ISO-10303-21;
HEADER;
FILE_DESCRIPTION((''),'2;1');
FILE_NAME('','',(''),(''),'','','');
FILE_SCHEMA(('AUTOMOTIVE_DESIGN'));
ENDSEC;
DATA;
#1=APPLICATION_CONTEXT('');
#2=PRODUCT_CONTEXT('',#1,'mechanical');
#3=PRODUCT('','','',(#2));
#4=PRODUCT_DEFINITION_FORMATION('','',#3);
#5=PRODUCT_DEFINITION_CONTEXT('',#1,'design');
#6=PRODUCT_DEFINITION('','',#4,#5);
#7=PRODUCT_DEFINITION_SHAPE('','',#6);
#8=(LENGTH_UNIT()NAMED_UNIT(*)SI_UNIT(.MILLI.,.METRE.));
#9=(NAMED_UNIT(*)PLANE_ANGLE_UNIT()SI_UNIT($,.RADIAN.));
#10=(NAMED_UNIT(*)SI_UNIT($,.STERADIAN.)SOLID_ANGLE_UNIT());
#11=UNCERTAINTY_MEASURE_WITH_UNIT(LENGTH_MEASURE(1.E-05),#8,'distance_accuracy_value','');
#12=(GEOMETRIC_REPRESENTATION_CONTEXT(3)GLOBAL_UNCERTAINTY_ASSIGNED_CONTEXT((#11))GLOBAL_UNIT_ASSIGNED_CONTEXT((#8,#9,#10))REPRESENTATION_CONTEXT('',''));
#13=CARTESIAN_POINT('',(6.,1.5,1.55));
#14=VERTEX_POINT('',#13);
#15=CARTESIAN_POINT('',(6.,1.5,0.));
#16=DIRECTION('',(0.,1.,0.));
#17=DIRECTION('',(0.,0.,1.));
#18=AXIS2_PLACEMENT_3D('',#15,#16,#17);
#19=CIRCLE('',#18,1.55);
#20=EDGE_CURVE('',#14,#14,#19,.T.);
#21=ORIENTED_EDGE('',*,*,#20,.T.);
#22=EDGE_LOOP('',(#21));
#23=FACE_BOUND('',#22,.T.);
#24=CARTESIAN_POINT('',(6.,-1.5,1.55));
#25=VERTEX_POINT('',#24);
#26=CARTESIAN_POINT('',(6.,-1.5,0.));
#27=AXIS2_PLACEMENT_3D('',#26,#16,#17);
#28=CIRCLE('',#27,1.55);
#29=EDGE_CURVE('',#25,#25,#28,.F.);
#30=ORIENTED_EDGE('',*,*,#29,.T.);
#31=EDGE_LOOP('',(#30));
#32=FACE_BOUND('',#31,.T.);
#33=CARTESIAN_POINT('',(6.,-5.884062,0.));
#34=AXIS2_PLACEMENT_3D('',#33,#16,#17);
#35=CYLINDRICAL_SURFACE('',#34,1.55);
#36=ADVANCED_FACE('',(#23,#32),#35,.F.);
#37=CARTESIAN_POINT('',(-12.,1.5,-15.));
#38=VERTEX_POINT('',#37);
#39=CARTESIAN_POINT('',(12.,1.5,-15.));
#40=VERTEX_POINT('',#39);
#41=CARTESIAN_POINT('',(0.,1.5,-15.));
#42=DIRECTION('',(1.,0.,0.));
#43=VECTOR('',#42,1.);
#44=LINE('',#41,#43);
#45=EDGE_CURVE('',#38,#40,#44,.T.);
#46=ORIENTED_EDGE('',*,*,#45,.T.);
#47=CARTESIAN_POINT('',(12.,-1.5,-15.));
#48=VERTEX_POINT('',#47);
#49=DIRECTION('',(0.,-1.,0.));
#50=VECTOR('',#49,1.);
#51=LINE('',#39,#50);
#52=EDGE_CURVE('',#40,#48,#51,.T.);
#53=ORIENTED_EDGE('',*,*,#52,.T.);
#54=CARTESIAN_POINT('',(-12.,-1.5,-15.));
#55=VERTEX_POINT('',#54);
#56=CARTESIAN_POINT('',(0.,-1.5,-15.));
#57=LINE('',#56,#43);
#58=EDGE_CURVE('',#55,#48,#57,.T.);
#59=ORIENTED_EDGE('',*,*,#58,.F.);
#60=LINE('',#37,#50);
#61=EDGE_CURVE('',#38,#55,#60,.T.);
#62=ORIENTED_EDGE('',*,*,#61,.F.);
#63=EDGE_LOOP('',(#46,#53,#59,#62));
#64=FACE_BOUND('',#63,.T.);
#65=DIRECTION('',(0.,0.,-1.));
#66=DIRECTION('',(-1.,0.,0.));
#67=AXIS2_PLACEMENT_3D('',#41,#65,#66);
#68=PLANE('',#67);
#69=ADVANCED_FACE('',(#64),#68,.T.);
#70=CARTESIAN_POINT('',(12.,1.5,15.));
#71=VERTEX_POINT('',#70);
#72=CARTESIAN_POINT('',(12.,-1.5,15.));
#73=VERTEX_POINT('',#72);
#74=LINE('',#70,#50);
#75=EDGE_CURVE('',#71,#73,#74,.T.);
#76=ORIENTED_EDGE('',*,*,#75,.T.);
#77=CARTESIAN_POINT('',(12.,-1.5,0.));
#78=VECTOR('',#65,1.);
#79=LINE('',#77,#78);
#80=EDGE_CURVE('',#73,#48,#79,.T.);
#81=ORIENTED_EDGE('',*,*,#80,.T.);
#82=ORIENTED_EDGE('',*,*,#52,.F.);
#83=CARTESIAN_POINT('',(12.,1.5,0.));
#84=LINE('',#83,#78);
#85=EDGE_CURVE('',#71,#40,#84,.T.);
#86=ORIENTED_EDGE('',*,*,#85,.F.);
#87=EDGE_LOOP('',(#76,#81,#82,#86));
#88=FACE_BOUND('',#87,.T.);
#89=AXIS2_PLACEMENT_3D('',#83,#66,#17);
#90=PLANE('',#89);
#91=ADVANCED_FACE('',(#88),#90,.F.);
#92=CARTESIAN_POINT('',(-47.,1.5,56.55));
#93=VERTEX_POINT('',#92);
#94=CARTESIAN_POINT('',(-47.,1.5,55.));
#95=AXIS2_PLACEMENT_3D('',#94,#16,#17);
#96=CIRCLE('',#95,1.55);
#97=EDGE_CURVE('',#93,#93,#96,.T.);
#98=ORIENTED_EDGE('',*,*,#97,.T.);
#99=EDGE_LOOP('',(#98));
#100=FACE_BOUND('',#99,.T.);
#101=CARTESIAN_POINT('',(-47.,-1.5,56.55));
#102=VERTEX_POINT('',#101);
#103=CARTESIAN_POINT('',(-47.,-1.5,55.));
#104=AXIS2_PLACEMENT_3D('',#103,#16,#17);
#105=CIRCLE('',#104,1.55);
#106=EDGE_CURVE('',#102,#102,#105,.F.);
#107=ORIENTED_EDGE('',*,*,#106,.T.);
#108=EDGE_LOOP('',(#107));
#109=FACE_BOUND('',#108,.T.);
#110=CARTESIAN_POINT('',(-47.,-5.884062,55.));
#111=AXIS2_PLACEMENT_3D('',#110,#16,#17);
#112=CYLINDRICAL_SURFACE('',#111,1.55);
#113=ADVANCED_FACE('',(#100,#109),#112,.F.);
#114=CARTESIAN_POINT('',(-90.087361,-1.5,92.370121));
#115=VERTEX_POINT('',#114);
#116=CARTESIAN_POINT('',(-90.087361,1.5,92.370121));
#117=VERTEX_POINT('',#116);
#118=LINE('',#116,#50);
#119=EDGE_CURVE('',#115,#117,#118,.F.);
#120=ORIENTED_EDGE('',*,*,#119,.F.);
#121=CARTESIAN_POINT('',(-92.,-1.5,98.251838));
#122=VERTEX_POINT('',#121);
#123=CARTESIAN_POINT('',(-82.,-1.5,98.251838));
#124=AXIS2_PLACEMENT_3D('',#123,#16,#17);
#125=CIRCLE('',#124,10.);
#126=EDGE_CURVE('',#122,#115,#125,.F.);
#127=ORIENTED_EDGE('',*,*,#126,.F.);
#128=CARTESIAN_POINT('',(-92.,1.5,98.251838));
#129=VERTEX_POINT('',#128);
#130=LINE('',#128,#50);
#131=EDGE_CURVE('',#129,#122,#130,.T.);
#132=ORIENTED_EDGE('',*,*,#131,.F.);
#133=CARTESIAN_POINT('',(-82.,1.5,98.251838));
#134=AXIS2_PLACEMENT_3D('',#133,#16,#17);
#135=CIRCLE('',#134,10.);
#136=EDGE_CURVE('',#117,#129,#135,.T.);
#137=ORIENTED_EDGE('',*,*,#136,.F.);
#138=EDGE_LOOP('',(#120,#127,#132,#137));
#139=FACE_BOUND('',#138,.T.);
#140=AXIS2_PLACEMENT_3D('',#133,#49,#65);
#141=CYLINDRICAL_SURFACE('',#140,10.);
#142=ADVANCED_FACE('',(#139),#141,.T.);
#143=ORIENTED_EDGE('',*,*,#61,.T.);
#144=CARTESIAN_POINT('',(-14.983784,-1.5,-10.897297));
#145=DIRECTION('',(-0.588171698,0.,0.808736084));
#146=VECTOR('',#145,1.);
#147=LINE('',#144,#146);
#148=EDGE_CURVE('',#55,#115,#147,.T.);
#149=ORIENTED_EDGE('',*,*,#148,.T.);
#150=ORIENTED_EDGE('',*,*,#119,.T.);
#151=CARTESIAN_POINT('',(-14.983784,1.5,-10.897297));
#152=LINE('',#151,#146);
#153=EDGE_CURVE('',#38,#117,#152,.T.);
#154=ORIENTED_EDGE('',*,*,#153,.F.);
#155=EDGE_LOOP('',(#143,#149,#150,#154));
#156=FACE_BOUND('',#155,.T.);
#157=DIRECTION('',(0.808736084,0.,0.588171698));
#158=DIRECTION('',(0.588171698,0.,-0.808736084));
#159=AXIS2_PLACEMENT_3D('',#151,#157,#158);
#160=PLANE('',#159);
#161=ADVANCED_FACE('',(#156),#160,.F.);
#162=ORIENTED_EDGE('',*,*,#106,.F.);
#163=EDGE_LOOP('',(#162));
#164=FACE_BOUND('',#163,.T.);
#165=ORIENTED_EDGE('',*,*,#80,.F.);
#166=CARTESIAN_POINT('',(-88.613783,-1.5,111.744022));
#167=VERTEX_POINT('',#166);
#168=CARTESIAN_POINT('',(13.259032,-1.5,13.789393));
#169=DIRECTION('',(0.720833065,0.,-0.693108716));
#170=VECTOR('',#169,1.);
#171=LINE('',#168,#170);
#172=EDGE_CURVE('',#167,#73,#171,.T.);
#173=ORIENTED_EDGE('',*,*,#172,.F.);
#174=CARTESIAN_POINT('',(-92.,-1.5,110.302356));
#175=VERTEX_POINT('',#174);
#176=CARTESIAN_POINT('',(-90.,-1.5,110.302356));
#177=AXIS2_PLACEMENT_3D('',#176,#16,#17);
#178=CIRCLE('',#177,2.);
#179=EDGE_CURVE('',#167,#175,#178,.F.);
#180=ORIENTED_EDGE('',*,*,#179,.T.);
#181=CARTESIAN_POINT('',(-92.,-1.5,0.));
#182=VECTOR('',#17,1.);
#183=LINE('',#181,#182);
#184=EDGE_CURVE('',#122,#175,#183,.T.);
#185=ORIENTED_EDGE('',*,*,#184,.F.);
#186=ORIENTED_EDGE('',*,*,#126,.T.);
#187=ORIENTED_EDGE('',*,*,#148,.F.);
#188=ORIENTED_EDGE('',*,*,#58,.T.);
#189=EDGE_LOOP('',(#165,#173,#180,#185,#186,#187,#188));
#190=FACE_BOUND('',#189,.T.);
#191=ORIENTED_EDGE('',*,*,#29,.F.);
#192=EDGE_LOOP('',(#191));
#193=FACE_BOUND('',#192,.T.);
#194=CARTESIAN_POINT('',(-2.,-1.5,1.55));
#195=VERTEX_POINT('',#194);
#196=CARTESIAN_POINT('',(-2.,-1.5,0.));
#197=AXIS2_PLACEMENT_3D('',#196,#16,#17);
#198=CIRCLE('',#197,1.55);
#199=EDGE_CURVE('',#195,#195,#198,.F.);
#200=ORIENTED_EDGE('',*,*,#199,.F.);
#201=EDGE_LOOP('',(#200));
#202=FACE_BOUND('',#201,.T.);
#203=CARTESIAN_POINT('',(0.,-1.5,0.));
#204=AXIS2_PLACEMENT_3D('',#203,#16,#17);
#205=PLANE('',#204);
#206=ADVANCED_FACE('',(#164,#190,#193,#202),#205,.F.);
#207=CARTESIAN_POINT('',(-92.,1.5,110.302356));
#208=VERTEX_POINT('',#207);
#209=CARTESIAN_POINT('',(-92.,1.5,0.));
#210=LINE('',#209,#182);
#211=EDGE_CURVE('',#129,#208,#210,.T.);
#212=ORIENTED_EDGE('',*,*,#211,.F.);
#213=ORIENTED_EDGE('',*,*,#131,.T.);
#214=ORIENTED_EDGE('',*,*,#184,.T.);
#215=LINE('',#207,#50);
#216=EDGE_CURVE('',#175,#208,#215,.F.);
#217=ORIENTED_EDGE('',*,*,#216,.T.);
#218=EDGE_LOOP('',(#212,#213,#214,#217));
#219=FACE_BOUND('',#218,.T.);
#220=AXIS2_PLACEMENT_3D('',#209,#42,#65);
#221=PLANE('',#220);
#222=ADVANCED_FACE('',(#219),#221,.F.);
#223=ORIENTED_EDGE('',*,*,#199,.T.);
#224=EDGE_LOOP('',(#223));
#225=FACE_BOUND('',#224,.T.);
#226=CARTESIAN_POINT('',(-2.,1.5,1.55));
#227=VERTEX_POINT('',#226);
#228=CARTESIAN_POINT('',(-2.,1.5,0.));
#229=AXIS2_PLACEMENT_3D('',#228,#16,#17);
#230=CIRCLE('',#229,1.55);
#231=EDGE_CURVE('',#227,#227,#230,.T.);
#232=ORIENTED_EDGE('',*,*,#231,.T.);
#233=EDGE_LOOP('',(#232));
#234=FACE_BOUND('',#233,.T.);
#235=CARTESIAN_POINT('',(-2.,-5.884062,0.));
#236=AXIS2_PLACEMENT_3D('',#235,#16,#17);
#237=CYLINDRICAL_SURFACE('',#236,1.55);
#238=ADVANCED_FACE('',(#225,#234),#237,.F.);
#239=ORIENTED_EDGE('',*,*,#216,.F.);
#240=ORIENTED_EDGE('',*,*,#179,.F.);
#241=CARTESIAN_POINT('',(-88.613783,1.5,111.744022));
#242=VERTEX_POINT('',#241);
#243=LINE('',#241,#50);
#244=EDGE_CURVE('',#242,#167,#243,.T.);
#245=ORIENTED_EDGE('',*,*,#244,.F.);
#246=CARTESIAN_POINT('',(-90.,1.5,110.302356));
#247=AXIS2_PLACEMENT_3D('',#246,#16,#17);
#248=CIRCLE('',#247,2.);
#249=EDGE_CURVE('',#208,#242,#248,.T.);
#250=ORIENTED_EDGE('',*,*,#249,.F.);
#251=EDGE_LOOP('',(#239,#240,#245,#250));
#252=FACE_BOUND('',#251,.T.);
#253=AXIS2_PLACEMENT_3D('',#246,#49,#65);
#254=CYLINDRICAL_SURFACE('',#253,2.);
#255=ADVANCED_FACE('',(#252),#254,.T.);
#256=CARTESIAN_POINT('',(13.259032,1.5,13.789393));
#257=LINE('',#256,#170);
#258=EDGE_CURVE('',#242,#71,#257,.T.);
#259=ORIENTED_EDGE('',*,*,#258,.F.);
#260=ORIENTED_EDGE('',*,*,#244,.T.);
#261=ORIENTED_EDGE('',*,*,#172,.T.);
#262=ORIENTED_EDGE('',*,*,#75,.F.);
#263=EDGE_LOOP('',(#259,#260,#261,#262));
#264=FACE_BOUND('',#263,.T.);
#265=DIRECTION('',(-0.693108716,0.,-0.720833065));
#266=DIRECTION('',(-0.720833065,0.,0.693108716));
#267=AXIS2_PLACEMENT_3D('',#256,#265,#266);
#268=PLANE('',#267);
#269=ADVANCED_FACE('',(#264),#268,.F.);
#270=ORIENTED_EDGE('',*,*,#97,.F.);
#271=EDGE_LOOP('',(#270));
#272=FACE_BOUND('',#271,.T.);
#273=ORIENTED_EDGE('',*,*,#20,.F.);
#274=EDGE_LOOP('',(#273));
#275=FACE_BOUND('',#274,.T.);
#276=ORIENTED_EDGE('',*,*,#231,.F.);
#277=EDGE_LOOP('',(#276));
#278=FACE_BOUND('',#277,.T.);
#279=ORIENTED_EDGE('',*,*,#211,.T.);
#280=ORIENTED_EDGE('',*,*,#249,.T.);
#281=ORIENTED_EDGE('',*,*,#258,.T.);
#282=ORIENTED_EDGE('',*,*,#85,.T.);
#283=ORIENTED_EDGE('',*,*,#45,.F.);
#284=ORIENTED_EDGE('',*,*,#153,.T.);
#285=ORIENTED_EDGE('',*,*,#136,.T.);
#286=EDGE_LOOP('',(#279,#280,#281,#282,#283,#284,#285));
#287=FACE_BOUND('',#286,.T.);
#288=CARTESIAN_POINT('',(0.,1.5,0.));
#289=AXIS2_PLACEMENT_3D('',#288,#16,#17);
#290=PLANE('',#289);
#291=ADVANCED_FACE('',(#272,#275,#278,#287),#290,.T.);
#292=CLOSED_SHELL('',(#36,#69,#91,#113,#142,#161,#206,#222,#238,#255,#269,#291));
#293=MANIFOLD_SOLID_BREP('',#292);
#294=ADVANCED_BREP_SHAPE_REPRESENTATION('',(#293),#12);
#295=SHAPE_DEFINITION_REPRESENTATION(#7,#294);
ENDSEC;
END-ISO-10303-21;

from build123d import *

# Parameters (mm, degrees)
SKETCH1_W           = 24
SKETCH1_H           = 30
BOSS_EXTRUDE1_DEPTH = 1.5
SKETCH2_R           = 1.55
CUT_EXTRUDE1_DEPTH  = 3
FILLET1_R           = 10
FILLET2_R           = 2


with BuildPart() as part:
    # Sketch1 → Boss-Extrude1 (new body, symmetric)
    with BuildSketch(Plane(origin=(0, 0, 0), x_dir=(1, 0, 0), z_dir=(0, 1, 0))):
        Polygon((-92, -95), (-92, -115), (12, -15), (-12, -15), (-12, 15), align=None)
        Rectangle(SKETCH1_W, SKETCH1_H)
    extrude(amount=BOSS_EXTRUDE1_DEPTH, both=True)

    # Sketch2 → Cut-Extrude1 (cut)
    with BuildSketch(Plane(origin=(0, 1.5, 0), x_dir=(1, 0, 0), z_dir=(0, 1, 0))):
        with Locations((6, 0)):
            Circle(SKETCH2_R)
        with Locations((-2, 0)):
            Circle(SKETCH2_R)
        with Locations((-47, -55)):
            Circle(SKETCH2_R)
    extrude(amount=-CUT_EXTRUDE1_DEPTH, mode=Mode.SUBTRACT)

    # Fillet1
    fillet1_edges = [part.edges().sort_by_distance(p)[0] for p in [
        (-92, 0, 95),
    ]]
    fillet(fillet1_edges, radius=FILLET1_R)

    # Fillet2
    fillet2_edges = [part.edges().sort_by_distance(p)[0] for p in [
        (-92, 0, 115),
    ]]
    fillet(fillet2_edges, radius=FILLET2_R)


solid = part.part
